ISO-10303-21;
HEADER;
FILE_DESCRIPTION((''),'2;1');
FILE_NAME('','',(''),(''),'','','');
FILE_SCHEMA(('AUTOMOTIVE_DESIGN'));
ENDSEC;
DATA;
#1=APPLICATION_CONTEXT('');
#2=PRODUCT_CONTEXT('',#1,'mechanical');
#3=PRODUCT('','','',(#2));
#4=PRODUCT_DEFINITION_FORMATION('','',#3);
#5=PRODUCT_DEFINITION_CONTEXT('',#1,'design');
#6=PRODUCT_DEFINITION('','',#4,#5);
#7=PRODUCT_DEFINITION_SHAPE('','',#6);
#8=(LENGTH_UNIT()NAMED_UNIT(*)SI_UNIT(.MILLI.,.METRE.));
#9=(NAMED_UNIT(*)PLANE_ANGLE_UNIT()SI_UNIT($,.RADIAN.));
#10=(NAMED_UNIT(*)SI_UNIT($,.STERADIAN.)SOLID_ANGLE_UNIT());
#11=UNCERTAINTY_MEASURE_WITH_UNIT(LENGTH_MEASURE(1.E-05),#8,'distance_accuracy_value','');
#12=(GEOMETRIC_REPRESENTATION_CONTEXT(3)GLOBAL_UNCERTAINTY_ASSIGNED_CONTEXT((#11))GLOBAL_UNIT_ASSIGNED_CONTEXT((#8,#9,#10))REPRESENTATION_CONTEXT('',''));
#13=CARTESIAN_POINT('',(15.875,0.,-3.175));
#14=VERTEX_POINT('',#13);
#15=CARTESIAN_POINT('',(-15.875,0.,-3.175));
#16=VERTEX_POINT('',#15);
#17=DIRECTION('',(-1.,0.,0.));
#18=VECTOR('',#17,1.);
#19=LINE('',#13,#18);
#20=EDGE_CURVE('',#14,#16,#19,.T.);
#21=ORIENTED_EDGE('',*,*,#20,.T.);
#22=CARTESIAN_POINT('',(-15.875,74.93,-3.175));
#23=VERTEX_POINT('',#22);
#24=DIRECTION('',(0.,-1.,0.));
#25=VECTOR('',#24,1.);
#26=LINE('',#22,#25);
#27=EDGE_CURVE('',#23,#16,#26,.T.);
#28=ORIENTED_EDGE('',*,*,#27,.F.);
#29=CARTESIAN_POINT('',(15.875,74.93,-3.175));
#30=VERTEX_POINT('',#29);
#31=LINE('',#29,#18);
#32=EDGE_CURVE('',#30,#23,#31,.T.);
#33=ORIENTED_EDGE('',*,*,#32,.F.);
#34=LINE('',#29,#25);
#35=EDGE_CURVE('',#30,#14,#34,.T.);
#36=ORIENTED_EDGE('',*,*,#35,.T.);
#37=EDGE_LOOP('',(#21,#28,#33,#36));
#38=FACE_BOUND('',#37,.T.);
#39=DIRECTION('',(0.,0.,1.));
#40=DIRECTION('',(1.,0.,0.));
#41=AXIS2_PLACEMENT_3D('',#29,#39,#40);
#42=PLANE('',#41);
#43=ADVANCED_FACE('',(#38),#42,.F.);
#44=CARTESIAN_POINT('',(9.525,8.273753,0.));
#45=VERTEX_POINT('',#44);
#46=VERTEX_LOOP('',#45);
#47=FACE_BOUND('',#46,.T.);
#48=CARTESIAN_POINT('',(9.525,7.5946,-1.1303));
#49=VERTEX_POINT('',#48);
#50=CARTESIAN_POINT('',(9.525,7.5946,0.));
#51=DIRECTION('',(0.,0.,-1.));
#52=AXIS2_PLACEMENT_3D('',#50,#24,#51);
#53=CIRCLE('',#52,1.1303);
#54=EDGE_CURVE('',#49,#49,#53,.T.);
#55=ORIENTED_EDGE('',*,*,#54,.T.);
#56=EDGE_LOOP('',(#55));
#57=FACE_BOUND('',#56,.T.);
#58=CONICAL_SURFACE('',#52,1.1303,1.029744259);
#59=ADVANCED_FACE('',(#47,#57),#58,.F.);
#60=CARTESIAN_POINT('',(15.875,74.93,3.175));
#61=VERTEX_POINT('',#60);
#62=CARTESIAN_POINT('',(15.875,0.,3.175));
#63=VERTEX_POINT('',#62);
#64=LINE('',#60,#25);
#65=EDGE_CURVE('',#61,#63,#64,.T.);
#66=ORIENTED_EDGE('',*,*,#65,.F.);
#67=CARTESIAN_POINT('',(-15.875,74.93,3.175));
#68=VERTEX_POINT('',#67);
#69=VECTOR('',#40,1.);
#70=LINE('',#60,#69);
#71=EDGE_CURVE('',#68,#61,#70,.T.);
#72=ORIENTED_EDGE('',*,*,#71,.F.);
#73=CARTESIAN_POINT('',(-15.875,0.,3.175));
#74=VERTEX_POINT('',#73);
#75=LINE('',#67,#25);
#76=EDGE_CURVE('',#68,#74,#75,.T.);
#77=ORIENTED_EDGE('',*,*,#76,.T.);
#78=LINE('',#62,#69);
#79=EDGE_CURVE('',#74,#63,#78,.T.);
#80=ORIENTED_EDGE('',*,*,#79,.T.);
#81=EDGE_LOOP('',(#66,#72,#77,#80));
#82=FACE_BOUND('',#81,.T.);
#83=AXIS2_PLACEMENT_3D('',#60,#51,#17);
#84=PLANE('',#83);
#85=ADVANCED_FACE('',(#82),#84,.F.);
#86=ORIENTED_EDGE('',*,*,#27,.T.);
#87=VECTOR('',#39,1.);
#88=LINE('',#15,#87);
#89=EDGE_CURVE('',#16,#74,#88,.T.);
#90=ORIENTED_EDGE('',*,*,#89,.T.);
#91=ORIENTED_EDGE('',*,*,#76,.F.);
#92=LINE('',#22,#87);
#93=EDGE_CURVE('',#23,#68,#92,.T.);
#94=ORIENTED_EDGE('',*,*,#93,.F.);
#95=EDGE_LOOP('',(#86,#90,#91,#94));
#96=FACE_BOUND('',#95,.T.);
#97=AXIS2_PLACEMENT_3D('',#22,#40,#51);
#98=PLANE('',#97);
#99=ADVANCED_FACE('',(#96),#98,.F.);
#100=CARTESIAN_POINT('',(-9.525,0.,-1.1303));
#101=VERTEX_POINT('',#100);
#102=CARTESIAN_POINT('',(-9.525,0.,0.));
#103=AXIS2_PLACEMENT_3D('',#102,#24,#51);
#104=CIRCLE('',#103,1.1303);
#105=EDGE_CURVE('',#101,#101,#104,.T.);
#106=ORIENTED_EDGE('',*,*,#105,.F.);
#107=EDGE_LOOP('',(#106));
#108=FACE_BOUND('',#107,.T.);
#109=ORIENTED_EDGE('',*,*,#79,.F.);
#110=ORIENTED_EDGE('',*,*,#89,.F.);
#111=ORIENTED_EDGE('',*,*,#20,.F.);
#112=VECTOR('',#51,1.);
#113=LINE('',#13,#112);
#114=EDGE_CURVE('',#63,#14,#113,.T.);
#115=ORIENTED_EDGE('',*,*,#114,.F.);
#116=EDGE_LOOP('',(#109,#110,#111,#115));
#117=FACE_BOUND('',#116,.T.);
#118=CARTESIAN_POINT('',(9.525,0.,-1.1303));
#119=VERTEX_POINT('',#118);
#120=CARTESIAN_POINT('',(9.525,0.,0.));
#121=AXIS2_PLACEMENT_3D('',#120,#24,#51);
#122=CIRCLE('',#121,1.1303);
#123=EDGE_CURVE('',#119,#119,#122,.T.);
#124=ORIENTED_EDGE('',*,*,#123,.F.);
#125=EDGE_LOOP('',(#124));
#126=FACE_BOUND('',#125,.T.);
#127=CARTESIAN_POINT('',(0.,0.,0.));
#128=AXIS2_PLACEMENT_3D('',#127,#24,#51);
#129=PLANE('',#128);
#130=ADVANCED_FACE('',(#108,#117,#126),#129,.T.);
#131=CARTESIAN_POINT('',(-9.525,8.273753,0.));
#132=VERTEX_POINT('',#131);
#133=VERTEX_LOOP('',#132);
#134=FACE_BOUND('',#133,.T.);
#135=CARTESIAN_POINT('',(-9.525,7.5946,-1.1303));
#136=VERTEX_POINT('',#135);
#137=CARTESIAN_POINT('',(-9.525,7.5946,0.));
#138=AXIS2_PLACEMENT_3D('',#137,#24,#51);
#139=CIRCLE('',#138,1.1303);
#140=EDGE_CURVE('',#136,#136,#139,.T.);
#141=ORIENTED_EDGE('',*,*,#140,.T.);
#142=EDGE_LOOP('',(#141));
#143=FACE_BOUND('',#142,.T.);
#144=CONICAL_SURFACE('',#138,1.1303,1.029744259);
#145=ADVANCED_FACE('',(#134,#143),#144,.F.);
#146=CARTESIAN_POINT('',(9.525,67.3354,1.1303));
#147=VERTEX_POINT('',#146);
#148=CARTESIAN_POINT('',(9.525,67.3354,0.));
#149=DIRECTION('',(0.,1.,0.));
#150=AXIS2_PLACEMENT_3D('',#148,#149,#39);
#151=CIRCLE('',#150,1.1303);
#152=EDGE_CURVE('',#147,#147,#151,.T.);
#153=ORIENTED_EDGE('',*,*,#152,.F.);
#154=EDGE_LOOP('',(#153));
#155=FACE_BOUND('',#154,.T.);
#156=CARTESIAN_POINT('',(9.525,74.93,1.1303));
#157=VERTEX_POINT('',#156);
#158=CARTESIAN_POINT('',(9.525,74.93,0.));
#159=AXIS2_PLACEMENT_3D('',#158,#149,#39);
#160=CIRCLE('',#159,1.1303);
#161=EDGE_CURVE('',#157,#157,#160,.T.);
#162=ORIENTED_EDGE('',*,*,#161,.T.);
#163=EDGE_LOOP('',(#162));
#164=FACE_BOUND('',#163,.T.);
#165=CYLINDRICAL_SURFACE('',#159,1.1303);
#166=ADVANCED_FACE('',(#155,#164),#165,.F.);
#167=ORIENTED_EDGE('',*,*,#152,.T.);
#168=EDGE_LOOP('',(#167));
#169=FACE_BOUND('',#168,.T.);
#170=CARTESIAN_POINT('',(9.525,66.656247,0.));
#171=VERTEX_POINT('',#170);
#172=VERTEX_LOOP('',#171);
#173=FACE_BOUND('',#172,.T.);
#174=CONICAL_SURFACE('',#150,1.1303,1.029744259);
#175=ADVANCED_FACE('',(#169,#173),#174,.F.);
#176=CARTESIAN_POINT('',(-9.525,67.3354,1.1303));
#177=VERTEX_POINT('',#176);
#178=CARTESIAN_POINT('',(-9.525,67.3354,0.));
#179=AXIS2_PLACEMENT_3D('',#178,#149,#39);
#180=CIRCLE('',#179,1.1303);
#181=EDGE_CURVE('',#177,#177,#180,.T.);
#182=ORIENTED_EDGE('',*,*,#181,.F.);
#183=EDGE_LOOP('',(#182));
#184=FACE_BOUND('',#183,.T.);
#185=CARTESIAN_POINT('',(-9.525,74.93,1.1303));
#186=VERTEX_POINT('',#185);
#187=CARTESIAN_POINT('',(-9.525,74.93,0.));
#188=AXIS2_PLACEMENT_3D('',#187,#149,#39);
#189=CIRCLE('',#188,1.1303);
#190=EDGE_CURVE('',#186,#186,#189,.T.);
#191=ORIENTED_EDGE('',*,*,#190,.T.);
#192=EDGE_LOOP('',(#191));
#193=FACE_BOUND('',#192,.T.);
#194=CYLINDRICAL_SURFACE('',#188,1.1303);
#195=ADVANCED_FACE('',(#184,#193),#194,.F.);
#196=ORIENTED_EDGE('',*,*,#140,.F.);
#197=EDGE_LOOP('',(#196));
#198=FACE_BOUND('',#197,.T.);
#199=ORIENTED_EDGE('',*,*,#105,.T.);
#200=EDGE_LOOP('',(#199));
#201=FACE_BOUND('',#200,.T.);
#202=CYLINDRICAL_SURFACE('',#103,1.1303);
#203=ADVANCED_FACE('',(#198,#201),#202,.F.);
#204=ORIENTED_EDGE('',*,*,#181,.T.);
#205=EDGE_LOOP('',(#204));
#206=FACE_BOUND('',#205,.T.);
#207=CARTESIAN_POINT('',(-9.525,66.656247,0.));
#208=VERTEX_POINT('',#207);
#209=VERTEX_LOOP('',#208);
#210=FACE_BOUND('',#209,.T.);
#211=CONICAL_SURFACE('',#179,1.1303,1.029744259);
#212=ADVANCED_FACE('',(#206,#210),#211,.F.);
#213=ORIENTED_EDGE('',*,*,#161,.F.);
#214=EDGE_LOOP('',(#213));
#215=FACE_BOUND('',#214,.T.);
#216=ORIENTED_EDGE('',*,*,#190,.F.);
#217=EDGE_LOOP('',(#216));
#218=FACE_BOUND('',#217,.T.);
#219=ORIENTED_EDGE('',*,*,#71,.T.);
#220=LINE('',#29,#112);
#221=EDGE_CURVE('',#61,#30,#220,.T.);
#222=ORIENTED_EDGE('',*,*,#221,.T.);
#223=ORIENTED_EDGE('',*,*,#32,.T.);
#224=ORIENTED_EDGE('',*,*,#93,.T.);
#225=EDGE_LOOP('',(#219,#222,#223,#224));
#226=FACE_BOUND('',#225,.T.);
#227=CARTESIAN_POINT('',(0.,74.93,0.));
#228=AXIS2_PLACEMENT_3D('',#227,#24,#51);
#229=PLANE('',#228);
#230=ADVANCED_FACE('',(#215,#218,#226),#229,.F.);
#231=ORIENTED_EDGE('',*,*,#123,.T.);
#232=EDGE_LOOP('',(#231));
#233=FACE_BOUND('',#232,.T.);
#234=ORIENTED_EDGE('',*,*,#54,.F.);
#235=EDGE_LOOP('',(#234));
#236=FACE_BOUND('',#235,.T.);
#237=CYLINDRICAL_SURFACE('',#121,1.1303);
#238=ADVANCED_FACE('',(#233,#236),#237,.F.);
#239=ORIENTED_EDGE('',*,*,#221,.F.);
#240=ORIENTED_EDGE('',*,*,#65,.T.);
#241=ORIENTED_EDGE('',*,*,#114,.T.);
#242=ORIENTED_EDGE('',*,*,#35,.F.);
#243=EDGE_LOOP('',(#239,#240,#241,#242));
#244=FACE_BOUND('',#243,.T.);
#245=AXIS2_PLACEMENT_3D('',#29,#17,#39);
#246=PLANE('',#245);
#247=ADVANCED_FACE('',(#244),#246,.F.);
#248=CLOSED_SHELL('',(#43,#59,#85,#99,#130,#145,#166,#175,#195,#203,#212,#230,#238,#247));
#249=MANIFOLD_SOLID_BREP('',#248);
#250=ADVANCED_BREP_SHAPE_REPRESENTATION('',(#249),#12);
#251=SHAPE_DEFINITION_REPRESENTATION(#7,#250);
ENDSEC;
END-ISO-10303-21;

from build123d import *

# Parameters (mm, degrees)
SKETCH1_W                 = 31.75
SKETCH1_H                 = 6.35
BOSS_EXTRUDE1_DEPTH       = 74.93
F_4_40_TAPPED_HOLE1_D     = 2.2606
F_4_40_TAPPED_HOLE1_DEPTH = 7.5946
F_4_40_TAPPED_HOLE1_TIP   = 0.679152758
F_4_40_TAPPED_HOLE2_D     = 2.2606
F_4_40_TAPPED_HOLE2_DEPTH = 7.5946
F_4_40_TAPPED_HOLE2_TIP   = 0.679152758


with BuildPart() as part:
    # Sketch1 → Boss-Extrude1 (new body)
    with BuildSketch(Plane(origin=(0, 0, 0), x_dir=(1, 0, 0), z_dir=(0, 1, 0))):
        Rectangle(SKETCH1_W, SKETCH1_H)
    extrude(amount=BOSS_EXTRUDE1_DEPTH)

    # #4-40 Tapped Hole1
    with Locations(Plane(origin=(0, 0, 0), x_dir=(-1, 0, 0), z_dir=(0, -1, 0))):
        with Locations((9.525, 0), (-9.525, 0)):
            Hole(F_4_40_TAPPED_HOLE1_D / 2, depth=F_4_40_TAPPED_HOLE1_DEPTH)
            with Locations((0, 0, -(F_4_40_TAPPED_HOLE1_DEPTH + F_4_40_TAPPED_HOLE1_TIP / 2))):  # 118° drill point
                Cone(0, F_4_40_TAPPED_HOLE1_D / 2, F_4_40_TAPPED_HOLE1_TIP, mode=Mode.SUBTRACT)

    # #4-40 Tapped Hole2
    with Locations(Plane(origin=(0, 74.93, 0), x_dir=(1, 0, 0), z_dir=(0, 1, 0))):
        with Locations((-9.525, 0), (9.525, 0)):
            Hole(F_4_40_TAPPED_HOLE2_D / 2, depth=F_4_40_TAPPED_HOLE2_DEPTH)
            with Locations((0, 0, -(F_4_40_TAPPED_HOLE2_DEPTH + F_4_40_TAPPED_HOLE2_TIP / 2))):  # 118° drill point
                Cone(0, F_4_40_TAPPED_HOLE2_D / 2, F_4_40_TAPPED_HOLE2_TIP, mode=Mode.SUBTRACT)


solid = part.part
